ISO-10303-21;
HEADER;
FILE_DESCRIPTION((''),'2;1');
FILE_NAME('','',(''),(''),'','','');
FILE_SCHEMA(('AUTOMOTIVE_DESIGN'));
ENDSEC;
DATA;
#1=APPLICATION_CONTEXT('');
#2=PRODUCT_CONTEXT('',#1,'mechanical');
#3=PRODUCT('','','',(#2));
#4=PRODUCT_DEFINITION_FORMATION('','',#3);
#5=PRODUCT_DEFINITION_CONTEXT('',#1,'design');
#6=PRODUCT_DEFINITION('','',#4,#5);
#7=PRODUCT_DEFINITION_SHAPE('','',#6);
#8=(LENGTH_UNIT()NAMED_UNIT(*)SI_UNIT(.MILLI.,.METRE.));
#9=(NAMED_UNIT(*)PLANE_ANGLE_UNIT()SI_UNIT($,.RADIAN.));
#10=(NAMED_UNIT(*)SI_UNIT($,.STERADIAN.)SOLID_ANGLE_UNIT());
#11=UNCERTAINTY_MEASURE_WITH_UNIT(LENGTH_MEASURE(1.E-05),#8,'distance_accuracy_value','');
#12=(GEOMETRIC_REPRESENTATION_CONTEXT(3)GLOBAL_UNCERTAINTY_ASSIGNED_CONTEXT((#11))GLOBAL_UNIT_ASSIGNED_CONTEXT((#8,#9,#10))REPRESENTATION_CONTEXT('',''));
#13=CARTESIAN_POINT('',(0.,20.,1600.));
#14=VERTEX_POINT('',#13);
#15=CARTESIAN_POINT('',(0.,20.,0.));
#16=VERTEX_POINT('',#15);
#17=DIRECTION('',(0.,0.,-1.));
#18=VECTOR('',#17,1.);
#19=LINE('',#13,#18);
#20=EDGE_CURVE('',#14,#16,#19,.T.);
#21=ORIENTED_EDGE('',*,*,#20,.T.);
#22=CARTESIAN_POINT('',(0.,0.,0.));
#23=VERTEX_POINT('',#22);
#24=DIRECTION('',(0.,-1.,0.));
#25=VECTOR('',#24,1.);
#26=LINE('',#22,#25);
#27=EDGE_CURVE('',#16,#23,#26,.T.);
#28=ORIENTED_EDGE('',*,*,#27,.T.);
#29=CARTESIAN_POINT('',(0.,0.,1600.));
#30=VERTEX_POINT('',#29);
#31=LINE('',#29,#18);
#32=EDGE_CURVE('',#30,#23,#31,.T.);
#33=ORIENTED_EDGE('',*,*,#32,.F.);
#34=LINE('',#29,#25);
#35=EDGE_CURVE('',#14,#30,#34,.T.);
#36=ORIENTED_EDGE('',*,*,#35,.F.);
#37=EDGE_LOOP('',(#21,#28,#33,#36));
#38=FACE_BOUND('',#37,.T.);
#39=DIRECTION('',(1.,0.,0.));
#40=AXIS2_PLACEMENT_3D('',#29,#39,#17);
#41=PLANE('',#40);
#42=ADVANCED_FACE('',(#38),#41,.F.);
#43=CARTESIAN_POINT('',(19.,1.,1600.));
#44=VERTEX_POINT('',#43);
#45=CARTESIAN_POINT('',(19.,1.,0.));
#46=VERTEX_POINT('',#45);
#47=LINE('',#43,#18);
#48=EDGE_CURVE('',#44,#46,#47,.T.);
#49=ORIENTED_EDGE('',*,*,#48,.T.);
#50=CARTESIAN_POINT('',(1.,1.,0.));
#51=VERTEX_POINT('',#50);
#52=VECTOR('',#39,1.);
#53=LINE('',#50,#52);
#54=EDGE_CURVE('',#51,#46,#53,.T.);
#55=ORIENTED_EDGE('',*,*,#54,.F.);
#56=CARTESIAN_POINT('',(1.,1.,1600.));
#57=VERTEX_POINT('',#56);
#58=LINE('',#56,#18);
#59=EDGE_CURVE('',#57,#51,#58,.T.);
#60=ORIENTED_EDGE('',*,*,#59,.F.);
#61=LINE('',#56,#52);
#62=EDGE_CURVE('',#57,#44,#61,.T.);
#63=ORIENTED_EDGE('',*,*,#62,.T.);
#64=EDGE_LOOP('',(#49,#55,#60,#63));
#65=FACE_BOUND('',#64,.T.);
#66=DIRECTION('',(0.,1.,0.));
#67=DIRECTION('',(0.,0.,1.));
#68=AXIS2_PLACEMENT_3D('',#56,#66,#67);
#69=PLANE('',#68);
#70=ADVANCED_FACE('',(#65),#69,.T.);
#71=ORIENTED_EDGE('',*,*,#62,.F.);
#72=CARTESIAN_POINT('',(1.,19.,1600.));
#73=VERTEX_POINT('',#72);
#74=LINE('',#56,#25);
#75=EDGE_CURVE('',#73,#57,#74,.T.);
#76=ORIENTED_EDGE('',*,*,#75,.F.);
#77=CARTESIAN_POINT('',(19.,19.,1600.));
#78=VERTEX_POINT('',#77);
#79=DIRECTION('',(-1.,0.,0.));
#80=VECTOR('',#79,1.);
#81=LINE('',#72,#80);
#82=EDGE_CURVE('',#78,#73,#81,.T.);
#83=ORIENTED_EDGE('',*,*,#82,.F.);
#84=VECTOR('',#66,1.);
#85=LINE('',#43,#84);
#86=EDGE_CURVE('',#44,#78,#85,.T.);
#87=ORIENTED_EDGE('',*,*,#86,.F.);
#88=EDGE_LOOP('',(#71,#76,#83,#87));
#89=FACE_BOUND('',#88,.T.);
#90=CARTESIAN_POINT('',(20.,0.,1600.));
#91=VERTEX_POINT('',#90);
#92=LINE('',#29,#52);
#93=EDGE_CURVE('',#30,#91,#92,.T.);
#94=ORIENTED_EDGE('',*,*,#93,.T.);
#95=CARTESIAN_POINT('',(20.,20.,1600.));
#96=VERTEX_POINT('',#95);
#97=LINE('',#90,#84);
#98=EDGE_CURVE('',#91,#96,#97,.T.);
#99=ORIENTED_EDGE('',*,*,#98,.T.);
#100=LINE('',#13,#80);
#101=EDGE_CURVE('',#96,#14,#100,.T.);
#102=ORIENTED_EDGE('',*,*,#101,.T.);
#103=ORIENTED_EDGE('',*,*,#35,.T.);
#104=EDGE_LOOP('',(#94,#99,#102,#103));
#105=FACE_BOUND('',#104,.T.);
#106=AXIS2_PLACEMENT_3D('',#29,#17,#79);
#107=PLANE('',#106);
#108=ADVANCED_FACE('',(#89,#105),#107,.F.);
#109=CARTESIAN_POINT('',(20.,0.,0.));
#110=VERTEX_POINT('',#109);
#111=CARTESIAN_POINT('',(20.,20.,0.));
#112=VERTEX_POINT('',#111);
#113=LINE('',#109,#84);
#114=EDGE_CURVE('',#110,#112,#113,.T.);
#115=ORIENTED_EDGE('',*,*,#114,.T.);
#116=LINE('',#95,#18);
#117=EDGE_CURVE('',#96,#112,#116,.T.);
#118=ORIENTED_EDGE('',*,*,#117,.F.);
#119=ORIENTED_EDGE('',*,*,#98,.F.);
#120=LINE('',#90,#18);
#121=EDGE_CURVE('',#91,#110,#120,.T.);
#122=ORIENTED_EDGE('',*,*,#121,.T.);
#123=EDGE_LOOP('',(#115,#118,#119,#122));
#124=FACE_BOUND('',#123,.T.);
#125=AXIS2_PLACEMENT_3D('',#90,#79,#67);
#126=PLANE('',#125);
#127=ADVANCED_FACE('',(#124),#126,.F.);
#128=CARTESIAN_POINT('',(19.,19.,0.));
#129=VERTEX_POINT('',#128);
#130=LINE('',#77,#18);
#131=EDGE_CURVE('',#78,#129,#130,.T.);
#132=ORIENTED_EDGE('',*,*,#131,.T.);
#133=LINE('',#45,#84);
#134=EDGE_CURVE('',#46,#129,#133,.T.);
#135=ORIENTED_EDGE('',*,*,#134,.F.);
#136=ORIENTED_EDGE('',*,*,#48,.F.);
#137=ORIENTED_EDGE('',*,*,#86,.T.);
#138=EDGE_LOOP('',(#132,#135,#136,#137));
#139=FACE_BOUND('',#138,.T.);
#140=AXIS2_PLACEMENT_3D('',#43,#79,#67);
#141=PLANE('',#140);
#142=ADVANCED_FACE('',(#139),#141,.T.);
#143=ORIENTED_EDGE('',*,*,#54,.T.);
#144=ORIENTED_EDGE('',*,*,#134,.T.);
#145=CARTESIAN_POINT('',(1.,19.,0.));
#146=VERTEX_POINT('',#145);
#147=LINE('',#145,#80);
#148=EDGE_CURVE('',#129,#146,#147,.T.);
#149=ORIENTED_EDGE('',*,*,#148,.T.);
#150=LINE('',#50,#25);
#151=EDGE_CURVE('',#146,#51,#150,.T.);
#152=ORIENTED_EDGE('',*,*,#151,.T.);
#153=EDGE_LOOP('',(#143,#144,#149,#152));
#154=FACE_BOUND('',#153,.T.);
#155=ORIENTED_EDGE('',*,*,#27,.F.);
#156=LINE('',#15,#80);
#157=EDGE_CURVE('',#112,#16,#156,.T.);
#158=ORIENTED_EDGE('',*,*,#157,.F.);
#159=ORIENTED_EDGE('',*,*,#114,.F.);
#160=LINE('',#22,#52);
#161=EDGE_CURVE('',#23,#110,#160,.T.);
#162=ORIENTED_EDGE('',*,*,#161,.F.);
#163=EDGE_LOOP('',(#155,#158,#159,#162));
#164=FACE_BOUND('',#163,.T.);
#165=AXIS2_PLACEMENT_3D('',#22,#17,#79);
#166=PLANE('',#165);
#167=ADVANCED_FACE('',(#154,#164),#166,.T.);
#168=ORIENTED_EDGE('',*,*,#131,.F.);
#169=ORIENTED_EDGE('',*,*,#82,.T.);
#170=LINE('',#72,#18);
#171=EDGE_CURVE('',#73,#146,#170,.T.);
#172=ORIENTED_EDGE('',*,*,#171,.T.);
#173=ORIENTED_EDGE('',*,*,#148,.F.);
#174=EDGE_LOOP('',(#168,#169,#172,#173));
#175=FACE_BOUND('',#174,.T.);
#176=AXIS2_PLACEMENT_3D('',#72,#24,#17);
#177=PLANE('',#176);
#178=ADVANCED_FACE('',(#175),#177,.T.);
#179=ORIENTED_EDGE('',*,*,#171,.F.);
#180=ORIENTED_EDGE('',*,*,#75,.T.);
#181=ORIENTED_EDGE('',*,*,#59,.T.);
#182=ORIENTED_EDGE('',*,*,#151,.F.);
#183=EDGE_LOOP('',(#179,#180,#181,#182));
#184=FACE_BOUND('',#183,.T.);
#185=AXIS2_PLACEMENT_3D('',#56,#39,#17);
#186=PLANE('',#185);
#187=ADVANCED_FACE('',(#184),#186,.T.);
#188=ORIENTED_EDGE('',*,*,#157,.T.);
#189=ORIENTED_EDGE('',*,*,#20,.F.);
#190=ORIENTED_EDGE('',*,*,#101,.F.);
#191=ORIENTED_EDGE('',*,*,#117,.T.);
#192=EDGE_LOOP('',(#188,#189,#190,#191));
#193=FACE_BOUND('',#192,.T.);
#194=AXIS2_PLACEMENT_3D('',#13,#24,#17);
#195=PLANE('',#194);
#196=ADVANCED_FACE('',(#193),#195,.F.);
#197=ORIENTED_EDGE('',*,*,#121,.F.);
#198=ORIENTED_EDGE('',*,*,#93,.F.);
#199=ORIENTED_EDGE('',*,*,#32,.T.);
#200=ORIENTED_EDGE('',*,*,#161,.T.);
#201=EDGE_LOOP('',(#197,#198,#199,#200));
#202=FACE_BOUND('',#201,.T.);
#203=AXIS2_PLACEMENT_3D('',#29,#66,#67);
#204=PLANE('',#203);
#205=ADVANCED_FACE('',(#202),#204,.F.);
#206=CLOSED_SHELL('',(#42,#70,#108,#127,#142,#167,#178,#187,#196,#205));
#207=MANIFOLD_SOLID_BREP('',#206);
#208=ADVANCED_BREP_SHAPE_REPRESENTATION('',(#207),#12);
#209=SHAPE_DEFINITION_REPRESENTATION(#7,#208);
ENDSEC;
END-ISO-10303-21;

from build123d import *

# Parameters (mm, degrees)
SKETCH_1_W      = 20
SKETCH_1_H      = 20
SKETCH_1_W_2    = 18
SKETCH_1_H_2    = 18
EXTRUDE_1_DEPTH = 1600


with BuildPart() as part:
    # 草图1 → 凸台-拉伸1 (new body)
    with BuildSketch(Plane.XY):
        with Locations((10, 10)):
            Rectangle(SKETCH_1_W, SKETCH_1_H)
        with Locations((10, 10)):
            Rectangle(SKETCH_1_W_2, SKETCH_1_H_2, mode=Mode.SUBTRACT)
    extrude(amount=EXTRUDE_1_DEPTH)


solid = part.part
